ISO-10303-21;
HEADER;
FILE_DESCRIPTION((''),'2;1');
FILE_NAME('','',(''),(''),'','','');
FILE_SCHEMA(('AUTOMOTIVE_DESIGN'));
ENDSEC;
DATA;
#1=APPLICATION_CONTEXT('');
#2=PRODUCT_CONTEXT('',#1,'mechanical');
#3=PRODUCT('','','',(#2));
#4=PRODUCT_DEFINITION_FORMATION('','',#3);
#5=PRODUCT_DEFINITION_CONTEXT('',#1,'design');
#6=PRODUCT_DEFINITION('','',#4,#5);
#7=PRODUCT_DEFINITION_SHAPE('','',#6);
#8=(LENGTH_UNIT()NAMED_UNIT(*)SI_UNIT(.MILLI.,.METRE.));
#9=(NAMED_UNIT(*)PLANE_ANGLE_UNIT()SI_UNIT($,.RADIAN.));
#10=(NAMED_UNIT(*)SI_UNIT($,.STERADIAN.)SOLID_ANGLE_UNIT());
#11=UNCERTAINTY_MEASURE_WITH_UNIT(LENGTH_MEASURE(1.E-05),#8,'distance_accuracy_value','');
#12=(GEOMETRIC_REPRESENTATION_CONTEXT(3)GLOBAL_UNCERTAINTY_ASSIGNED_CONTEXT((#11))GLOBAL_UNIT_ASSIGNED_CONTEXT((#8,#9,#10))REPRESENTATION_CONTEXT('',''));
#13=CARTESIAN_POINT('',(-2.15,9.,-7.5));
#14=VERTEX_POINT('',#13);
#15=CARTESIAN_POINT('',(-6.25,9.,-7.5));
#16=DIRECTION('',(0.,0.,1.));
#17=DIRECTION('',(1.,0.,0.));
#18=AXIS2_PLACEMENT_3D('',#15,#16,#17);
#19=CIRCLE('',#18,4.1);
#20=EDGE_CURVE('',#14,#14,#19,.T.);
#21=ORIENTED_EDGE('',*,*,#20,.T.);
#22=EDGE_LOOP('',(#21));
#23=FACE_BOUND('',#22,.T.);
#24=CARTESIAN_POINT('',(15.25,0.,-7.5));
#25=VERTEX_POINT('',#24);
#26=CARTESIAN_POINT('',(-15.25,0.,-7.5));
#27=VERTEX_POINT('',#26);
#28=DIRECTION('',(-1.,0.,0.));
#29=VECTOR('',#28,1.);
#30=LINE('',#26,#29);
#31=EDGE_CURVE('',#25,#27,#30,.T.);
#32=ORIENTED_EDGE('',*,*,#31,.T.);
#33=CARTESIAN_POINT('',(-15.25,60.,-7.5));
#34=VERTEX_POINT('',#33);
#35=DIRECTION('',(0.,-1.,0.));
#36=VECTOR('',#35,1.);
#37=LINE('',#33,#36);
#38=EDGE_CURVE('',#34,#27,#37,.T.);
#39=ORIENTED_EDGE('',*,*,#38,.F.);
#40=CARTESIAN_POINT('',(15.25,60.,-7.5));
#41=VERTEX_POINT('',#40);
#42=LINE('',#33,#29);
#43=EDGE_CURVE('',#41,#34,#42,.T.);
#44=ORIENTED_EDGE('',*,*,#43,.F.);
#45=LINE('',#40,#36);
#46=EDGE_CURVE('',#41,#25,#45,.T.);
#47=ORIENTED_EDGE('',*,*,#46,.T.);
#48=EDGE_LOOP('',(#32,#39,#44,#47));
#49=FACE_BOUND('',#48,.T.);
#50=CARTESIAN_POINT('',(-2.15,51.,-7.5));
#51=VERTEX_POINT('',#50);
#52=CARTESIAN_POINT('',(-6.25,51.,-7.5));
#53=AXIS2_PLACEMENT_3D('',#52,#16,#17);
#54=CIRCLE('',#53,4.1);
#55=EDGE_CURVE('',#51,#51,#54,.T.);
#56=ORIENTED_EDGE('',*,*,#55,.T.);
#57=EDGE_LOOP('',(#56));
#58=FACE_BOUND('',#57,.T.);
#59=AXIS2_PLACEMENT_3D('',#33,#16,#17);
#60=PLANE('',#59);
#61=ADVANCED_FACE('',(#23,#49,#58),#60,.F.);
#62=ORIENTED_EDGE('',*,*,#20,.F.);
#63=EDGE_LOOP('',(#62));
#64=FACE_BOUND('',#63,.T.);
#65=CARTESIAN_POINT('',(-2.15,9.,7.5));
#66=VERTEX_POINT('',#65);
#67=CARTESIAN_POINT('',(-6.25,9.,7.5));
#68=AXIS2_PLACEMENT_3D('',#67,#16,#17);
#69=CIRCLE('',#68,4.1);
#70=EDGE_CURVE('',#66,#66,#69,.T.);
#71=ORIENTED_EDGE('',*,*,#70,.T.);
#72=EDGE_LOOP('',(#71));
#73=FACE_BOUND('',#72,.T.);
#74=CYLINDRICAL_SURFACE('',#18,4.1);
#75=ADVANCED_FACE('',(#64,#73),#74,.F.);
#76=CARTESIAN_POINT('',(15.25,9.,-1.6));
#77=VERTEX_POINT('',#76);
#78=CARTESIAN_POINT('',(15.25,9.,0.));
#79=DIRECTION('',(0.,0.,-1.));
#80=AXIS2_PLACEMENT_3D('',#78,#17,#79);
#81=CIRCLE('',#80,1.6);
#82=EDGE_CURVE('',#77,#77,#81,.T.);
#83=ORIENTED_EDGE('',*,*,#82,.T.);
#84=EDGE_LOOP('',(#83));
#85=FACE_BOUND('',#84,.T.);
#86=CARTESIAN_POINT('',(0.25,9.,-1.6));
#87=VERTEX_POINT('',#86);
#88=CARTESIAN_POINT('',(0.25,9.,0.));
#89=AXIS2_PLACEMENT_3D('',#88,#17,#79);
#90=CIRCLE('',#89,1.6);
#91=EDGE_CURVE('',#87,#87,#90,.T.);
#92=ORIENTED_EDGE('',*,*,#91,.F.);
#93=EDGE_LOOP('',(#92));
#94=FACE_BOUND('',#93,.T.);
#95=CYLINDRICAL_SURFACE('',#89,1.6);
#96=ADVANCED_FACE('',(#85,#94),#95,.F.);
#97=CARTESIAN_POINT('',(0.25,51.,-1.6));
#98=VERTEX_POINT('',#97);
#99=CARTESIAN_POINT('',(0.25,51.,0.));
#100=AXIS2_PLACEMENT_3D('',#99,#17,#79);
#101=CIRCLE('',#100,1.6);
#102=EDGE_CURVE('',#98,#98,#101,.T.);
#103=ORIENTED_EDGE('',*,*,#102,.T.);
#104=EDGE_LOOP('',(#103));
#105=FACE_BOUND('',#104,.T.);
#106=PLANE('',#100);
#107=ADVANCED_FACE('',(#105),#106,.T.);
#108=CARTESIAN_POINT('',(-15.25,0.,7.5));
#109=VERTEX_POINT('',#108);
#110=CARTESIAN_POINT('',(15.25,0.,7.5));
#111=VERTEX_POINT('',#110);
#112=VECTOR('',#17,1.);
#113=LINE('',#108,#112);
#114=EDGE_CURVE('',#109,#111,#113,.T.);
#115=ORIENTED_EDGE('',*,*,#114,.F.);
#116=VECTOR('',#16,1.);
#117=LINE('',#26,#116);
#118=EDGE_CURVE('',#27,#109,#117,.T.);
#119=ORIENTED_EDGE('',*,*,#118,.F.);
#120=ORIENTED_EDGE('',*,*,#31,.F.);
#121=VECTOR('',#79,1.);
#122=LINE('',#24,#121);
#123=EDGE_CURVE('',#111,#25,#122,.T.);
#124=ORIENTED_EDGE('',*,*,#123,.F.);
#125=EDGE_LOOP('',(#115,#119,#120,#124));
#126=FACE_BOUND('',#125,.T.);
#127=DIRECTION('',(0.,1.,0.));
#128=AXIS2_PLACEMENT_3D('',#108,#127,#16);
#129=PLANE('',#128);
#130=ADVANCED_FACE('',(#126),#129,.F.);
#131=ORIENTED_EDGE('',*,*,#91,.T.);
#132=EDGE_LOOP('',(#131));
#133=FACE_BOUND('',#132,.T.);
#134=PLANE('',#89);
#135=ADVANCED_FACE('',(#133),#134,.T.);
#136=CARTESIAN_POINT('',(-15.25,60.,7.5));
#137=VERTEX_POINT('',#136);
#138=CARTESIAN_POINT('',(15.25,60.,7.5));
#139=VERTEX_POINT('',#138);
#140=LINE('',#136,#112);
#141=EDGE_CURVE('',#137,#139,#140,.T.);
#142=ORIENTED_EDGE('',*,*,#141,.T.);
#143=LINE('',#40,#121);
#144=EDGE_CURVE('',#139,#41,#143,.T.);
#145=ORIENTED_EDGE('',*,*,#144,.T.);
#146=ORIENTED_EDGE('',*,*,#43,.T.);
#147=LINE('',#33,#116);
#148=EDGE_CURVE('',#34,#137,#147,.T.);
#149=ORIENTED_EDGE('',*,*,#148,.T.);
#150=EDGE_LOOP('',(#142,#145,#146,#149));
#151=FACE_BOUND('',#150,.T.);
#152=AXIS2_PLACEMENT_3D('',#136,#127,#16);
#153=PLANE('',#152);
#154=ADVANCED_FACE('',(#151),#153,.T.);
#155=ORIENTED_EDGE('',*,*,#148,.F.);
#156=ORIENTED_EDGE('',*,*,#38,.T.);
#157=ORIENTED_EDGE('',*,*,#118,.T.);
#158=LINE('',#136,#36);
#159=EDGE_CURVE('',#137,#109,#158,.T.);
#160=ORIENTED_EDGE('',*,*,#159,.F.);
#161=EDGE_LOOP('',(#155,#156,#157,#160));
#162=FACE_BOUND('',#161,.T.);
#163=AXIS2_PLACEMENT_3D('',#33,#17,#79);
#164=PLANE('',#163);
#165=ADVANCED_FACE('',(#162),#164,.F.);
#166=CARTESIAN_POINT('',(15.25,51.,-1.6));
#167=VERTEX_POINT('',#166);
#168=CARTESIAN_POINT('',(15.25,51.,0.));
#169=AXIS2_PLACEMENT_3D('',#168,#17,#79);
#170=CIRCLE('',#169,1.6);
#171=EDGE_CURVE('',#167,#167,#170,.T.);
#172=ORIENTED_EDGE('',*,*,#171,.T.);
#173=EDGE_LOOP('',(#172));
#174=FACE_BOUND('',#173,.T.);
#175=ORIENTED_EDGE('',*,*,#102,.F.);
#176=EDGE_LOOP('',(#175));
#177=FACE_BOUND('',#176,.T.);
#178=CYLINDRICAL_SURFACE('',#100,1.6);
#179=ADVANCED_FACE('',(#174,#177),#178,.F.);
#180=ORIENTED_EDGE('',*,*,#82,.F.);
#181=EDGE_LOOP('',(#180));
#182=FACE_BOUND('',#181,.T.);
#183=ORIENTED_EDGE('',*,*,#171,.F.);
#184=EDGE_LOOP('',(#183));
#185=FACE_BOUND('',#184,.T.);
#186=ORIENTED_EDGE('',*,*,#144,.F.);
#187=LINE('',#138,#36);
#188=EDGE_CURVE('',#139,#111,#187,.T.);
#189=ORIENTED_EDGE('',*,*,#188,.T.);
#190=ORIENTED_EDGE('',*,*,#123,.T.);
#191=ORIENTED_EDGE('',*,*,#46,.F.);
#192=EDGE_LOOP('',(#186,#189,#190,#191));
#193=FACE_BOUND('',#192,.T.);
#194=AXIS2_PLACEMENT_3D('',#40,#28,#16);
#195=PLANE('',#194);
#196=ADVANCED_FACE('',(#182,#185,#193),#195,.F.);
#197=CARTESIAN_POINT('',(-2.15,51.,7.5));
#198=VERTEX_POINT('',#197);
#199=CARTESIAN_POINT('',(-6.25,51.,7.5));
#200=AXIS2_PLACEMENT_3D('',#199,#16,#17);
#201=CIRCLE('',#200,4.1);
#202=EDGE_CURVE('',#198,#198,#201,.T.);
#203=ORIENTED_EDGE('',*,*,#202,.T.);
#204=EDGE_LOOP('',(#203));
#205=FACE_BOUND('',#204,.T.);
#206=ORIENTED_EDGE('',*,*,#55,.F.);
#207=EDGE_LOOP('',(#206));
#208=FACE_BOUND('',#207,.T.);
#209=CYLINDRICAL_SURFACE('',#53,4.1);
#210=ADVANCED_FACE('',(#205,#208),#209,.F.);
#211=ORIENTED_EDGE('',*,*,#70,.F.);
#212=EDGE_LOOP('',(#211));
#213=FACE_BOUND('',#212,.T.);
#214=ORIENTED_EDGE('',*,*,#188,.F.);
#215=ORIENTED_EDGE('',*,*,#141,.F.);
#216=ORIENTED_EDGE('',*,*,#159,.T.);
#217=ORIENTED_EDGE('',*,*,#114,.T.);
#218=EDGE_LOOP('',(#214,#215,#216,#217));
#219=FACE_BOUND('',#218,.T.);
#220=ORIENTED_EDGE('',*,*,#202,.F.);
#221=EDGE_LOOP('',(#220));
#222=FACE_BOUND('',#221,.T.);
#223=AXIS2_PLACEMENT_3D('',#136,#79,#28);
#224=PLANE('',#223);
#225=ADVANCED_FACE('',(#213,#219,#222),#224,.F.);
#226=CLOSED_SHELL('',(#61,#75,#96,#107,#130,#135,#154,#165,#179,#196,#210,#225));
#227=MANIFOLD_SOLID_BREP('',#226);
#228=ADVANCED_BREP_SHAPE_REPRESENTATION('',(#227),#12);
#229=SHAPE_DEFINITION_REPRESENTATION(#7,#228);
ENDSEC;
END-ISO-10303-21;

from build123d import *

# Parameters (mm, degrees)
SKETCH1_W           = 30.5
SKETCH1_H           = 15
BOSS_EXTRUDE1_DEPTH = 60
SKETCH2_R           = 4.1
CUT_EXTRUDE1_DEPTH  = 16
SKETCH3_R           = 1.6
CUT_EXTRUDE2_DEPTH  = 15


with BuildPart() as part:
    # Sketch1 → Boss-Extrude1 (new body)
    with BuildSketch(Plane(origin=(0, 0, 0), x_dir=(1, 0, 0), z_dir=(0, 1, 0))):
        Rectangle(SKETCH1_W, SKETCH1_H)
    extrude(amount=BOSS_EXTRUDE1_DEPTH)

    # Sketch2 → Cut-Extrude1 (cut, through all)
    with BuildSketch(Plane.XY.offset(7.5)):
        with Locations((-6.25, 51)):
            Circle(SKETCH2_R)
        with Locations((-6.25, 9)):
            Circle(SKETCH2_R)
    extrude(amount=-CUT_EXTRUDE1_DEPTH, mode=Mode.SUBTRACT)

    # Sketch3 → Cut-Extrude2 (cut)
    with BuildSketch(Plane(origin=(15.25, 0, 0), x_dir=(0, 0, -1), z_dir=(1, 0, 0))):
        with Locations((0, 51)):
            Circle(SKETCH3_R)
        with Locations((0, 9)):
            Circle(SKETCH3_R)
    extrude(amount=-CUT_EXTRUDE2_DEPTH, mode=Mode.SUBTRACT)


solid = part.part
